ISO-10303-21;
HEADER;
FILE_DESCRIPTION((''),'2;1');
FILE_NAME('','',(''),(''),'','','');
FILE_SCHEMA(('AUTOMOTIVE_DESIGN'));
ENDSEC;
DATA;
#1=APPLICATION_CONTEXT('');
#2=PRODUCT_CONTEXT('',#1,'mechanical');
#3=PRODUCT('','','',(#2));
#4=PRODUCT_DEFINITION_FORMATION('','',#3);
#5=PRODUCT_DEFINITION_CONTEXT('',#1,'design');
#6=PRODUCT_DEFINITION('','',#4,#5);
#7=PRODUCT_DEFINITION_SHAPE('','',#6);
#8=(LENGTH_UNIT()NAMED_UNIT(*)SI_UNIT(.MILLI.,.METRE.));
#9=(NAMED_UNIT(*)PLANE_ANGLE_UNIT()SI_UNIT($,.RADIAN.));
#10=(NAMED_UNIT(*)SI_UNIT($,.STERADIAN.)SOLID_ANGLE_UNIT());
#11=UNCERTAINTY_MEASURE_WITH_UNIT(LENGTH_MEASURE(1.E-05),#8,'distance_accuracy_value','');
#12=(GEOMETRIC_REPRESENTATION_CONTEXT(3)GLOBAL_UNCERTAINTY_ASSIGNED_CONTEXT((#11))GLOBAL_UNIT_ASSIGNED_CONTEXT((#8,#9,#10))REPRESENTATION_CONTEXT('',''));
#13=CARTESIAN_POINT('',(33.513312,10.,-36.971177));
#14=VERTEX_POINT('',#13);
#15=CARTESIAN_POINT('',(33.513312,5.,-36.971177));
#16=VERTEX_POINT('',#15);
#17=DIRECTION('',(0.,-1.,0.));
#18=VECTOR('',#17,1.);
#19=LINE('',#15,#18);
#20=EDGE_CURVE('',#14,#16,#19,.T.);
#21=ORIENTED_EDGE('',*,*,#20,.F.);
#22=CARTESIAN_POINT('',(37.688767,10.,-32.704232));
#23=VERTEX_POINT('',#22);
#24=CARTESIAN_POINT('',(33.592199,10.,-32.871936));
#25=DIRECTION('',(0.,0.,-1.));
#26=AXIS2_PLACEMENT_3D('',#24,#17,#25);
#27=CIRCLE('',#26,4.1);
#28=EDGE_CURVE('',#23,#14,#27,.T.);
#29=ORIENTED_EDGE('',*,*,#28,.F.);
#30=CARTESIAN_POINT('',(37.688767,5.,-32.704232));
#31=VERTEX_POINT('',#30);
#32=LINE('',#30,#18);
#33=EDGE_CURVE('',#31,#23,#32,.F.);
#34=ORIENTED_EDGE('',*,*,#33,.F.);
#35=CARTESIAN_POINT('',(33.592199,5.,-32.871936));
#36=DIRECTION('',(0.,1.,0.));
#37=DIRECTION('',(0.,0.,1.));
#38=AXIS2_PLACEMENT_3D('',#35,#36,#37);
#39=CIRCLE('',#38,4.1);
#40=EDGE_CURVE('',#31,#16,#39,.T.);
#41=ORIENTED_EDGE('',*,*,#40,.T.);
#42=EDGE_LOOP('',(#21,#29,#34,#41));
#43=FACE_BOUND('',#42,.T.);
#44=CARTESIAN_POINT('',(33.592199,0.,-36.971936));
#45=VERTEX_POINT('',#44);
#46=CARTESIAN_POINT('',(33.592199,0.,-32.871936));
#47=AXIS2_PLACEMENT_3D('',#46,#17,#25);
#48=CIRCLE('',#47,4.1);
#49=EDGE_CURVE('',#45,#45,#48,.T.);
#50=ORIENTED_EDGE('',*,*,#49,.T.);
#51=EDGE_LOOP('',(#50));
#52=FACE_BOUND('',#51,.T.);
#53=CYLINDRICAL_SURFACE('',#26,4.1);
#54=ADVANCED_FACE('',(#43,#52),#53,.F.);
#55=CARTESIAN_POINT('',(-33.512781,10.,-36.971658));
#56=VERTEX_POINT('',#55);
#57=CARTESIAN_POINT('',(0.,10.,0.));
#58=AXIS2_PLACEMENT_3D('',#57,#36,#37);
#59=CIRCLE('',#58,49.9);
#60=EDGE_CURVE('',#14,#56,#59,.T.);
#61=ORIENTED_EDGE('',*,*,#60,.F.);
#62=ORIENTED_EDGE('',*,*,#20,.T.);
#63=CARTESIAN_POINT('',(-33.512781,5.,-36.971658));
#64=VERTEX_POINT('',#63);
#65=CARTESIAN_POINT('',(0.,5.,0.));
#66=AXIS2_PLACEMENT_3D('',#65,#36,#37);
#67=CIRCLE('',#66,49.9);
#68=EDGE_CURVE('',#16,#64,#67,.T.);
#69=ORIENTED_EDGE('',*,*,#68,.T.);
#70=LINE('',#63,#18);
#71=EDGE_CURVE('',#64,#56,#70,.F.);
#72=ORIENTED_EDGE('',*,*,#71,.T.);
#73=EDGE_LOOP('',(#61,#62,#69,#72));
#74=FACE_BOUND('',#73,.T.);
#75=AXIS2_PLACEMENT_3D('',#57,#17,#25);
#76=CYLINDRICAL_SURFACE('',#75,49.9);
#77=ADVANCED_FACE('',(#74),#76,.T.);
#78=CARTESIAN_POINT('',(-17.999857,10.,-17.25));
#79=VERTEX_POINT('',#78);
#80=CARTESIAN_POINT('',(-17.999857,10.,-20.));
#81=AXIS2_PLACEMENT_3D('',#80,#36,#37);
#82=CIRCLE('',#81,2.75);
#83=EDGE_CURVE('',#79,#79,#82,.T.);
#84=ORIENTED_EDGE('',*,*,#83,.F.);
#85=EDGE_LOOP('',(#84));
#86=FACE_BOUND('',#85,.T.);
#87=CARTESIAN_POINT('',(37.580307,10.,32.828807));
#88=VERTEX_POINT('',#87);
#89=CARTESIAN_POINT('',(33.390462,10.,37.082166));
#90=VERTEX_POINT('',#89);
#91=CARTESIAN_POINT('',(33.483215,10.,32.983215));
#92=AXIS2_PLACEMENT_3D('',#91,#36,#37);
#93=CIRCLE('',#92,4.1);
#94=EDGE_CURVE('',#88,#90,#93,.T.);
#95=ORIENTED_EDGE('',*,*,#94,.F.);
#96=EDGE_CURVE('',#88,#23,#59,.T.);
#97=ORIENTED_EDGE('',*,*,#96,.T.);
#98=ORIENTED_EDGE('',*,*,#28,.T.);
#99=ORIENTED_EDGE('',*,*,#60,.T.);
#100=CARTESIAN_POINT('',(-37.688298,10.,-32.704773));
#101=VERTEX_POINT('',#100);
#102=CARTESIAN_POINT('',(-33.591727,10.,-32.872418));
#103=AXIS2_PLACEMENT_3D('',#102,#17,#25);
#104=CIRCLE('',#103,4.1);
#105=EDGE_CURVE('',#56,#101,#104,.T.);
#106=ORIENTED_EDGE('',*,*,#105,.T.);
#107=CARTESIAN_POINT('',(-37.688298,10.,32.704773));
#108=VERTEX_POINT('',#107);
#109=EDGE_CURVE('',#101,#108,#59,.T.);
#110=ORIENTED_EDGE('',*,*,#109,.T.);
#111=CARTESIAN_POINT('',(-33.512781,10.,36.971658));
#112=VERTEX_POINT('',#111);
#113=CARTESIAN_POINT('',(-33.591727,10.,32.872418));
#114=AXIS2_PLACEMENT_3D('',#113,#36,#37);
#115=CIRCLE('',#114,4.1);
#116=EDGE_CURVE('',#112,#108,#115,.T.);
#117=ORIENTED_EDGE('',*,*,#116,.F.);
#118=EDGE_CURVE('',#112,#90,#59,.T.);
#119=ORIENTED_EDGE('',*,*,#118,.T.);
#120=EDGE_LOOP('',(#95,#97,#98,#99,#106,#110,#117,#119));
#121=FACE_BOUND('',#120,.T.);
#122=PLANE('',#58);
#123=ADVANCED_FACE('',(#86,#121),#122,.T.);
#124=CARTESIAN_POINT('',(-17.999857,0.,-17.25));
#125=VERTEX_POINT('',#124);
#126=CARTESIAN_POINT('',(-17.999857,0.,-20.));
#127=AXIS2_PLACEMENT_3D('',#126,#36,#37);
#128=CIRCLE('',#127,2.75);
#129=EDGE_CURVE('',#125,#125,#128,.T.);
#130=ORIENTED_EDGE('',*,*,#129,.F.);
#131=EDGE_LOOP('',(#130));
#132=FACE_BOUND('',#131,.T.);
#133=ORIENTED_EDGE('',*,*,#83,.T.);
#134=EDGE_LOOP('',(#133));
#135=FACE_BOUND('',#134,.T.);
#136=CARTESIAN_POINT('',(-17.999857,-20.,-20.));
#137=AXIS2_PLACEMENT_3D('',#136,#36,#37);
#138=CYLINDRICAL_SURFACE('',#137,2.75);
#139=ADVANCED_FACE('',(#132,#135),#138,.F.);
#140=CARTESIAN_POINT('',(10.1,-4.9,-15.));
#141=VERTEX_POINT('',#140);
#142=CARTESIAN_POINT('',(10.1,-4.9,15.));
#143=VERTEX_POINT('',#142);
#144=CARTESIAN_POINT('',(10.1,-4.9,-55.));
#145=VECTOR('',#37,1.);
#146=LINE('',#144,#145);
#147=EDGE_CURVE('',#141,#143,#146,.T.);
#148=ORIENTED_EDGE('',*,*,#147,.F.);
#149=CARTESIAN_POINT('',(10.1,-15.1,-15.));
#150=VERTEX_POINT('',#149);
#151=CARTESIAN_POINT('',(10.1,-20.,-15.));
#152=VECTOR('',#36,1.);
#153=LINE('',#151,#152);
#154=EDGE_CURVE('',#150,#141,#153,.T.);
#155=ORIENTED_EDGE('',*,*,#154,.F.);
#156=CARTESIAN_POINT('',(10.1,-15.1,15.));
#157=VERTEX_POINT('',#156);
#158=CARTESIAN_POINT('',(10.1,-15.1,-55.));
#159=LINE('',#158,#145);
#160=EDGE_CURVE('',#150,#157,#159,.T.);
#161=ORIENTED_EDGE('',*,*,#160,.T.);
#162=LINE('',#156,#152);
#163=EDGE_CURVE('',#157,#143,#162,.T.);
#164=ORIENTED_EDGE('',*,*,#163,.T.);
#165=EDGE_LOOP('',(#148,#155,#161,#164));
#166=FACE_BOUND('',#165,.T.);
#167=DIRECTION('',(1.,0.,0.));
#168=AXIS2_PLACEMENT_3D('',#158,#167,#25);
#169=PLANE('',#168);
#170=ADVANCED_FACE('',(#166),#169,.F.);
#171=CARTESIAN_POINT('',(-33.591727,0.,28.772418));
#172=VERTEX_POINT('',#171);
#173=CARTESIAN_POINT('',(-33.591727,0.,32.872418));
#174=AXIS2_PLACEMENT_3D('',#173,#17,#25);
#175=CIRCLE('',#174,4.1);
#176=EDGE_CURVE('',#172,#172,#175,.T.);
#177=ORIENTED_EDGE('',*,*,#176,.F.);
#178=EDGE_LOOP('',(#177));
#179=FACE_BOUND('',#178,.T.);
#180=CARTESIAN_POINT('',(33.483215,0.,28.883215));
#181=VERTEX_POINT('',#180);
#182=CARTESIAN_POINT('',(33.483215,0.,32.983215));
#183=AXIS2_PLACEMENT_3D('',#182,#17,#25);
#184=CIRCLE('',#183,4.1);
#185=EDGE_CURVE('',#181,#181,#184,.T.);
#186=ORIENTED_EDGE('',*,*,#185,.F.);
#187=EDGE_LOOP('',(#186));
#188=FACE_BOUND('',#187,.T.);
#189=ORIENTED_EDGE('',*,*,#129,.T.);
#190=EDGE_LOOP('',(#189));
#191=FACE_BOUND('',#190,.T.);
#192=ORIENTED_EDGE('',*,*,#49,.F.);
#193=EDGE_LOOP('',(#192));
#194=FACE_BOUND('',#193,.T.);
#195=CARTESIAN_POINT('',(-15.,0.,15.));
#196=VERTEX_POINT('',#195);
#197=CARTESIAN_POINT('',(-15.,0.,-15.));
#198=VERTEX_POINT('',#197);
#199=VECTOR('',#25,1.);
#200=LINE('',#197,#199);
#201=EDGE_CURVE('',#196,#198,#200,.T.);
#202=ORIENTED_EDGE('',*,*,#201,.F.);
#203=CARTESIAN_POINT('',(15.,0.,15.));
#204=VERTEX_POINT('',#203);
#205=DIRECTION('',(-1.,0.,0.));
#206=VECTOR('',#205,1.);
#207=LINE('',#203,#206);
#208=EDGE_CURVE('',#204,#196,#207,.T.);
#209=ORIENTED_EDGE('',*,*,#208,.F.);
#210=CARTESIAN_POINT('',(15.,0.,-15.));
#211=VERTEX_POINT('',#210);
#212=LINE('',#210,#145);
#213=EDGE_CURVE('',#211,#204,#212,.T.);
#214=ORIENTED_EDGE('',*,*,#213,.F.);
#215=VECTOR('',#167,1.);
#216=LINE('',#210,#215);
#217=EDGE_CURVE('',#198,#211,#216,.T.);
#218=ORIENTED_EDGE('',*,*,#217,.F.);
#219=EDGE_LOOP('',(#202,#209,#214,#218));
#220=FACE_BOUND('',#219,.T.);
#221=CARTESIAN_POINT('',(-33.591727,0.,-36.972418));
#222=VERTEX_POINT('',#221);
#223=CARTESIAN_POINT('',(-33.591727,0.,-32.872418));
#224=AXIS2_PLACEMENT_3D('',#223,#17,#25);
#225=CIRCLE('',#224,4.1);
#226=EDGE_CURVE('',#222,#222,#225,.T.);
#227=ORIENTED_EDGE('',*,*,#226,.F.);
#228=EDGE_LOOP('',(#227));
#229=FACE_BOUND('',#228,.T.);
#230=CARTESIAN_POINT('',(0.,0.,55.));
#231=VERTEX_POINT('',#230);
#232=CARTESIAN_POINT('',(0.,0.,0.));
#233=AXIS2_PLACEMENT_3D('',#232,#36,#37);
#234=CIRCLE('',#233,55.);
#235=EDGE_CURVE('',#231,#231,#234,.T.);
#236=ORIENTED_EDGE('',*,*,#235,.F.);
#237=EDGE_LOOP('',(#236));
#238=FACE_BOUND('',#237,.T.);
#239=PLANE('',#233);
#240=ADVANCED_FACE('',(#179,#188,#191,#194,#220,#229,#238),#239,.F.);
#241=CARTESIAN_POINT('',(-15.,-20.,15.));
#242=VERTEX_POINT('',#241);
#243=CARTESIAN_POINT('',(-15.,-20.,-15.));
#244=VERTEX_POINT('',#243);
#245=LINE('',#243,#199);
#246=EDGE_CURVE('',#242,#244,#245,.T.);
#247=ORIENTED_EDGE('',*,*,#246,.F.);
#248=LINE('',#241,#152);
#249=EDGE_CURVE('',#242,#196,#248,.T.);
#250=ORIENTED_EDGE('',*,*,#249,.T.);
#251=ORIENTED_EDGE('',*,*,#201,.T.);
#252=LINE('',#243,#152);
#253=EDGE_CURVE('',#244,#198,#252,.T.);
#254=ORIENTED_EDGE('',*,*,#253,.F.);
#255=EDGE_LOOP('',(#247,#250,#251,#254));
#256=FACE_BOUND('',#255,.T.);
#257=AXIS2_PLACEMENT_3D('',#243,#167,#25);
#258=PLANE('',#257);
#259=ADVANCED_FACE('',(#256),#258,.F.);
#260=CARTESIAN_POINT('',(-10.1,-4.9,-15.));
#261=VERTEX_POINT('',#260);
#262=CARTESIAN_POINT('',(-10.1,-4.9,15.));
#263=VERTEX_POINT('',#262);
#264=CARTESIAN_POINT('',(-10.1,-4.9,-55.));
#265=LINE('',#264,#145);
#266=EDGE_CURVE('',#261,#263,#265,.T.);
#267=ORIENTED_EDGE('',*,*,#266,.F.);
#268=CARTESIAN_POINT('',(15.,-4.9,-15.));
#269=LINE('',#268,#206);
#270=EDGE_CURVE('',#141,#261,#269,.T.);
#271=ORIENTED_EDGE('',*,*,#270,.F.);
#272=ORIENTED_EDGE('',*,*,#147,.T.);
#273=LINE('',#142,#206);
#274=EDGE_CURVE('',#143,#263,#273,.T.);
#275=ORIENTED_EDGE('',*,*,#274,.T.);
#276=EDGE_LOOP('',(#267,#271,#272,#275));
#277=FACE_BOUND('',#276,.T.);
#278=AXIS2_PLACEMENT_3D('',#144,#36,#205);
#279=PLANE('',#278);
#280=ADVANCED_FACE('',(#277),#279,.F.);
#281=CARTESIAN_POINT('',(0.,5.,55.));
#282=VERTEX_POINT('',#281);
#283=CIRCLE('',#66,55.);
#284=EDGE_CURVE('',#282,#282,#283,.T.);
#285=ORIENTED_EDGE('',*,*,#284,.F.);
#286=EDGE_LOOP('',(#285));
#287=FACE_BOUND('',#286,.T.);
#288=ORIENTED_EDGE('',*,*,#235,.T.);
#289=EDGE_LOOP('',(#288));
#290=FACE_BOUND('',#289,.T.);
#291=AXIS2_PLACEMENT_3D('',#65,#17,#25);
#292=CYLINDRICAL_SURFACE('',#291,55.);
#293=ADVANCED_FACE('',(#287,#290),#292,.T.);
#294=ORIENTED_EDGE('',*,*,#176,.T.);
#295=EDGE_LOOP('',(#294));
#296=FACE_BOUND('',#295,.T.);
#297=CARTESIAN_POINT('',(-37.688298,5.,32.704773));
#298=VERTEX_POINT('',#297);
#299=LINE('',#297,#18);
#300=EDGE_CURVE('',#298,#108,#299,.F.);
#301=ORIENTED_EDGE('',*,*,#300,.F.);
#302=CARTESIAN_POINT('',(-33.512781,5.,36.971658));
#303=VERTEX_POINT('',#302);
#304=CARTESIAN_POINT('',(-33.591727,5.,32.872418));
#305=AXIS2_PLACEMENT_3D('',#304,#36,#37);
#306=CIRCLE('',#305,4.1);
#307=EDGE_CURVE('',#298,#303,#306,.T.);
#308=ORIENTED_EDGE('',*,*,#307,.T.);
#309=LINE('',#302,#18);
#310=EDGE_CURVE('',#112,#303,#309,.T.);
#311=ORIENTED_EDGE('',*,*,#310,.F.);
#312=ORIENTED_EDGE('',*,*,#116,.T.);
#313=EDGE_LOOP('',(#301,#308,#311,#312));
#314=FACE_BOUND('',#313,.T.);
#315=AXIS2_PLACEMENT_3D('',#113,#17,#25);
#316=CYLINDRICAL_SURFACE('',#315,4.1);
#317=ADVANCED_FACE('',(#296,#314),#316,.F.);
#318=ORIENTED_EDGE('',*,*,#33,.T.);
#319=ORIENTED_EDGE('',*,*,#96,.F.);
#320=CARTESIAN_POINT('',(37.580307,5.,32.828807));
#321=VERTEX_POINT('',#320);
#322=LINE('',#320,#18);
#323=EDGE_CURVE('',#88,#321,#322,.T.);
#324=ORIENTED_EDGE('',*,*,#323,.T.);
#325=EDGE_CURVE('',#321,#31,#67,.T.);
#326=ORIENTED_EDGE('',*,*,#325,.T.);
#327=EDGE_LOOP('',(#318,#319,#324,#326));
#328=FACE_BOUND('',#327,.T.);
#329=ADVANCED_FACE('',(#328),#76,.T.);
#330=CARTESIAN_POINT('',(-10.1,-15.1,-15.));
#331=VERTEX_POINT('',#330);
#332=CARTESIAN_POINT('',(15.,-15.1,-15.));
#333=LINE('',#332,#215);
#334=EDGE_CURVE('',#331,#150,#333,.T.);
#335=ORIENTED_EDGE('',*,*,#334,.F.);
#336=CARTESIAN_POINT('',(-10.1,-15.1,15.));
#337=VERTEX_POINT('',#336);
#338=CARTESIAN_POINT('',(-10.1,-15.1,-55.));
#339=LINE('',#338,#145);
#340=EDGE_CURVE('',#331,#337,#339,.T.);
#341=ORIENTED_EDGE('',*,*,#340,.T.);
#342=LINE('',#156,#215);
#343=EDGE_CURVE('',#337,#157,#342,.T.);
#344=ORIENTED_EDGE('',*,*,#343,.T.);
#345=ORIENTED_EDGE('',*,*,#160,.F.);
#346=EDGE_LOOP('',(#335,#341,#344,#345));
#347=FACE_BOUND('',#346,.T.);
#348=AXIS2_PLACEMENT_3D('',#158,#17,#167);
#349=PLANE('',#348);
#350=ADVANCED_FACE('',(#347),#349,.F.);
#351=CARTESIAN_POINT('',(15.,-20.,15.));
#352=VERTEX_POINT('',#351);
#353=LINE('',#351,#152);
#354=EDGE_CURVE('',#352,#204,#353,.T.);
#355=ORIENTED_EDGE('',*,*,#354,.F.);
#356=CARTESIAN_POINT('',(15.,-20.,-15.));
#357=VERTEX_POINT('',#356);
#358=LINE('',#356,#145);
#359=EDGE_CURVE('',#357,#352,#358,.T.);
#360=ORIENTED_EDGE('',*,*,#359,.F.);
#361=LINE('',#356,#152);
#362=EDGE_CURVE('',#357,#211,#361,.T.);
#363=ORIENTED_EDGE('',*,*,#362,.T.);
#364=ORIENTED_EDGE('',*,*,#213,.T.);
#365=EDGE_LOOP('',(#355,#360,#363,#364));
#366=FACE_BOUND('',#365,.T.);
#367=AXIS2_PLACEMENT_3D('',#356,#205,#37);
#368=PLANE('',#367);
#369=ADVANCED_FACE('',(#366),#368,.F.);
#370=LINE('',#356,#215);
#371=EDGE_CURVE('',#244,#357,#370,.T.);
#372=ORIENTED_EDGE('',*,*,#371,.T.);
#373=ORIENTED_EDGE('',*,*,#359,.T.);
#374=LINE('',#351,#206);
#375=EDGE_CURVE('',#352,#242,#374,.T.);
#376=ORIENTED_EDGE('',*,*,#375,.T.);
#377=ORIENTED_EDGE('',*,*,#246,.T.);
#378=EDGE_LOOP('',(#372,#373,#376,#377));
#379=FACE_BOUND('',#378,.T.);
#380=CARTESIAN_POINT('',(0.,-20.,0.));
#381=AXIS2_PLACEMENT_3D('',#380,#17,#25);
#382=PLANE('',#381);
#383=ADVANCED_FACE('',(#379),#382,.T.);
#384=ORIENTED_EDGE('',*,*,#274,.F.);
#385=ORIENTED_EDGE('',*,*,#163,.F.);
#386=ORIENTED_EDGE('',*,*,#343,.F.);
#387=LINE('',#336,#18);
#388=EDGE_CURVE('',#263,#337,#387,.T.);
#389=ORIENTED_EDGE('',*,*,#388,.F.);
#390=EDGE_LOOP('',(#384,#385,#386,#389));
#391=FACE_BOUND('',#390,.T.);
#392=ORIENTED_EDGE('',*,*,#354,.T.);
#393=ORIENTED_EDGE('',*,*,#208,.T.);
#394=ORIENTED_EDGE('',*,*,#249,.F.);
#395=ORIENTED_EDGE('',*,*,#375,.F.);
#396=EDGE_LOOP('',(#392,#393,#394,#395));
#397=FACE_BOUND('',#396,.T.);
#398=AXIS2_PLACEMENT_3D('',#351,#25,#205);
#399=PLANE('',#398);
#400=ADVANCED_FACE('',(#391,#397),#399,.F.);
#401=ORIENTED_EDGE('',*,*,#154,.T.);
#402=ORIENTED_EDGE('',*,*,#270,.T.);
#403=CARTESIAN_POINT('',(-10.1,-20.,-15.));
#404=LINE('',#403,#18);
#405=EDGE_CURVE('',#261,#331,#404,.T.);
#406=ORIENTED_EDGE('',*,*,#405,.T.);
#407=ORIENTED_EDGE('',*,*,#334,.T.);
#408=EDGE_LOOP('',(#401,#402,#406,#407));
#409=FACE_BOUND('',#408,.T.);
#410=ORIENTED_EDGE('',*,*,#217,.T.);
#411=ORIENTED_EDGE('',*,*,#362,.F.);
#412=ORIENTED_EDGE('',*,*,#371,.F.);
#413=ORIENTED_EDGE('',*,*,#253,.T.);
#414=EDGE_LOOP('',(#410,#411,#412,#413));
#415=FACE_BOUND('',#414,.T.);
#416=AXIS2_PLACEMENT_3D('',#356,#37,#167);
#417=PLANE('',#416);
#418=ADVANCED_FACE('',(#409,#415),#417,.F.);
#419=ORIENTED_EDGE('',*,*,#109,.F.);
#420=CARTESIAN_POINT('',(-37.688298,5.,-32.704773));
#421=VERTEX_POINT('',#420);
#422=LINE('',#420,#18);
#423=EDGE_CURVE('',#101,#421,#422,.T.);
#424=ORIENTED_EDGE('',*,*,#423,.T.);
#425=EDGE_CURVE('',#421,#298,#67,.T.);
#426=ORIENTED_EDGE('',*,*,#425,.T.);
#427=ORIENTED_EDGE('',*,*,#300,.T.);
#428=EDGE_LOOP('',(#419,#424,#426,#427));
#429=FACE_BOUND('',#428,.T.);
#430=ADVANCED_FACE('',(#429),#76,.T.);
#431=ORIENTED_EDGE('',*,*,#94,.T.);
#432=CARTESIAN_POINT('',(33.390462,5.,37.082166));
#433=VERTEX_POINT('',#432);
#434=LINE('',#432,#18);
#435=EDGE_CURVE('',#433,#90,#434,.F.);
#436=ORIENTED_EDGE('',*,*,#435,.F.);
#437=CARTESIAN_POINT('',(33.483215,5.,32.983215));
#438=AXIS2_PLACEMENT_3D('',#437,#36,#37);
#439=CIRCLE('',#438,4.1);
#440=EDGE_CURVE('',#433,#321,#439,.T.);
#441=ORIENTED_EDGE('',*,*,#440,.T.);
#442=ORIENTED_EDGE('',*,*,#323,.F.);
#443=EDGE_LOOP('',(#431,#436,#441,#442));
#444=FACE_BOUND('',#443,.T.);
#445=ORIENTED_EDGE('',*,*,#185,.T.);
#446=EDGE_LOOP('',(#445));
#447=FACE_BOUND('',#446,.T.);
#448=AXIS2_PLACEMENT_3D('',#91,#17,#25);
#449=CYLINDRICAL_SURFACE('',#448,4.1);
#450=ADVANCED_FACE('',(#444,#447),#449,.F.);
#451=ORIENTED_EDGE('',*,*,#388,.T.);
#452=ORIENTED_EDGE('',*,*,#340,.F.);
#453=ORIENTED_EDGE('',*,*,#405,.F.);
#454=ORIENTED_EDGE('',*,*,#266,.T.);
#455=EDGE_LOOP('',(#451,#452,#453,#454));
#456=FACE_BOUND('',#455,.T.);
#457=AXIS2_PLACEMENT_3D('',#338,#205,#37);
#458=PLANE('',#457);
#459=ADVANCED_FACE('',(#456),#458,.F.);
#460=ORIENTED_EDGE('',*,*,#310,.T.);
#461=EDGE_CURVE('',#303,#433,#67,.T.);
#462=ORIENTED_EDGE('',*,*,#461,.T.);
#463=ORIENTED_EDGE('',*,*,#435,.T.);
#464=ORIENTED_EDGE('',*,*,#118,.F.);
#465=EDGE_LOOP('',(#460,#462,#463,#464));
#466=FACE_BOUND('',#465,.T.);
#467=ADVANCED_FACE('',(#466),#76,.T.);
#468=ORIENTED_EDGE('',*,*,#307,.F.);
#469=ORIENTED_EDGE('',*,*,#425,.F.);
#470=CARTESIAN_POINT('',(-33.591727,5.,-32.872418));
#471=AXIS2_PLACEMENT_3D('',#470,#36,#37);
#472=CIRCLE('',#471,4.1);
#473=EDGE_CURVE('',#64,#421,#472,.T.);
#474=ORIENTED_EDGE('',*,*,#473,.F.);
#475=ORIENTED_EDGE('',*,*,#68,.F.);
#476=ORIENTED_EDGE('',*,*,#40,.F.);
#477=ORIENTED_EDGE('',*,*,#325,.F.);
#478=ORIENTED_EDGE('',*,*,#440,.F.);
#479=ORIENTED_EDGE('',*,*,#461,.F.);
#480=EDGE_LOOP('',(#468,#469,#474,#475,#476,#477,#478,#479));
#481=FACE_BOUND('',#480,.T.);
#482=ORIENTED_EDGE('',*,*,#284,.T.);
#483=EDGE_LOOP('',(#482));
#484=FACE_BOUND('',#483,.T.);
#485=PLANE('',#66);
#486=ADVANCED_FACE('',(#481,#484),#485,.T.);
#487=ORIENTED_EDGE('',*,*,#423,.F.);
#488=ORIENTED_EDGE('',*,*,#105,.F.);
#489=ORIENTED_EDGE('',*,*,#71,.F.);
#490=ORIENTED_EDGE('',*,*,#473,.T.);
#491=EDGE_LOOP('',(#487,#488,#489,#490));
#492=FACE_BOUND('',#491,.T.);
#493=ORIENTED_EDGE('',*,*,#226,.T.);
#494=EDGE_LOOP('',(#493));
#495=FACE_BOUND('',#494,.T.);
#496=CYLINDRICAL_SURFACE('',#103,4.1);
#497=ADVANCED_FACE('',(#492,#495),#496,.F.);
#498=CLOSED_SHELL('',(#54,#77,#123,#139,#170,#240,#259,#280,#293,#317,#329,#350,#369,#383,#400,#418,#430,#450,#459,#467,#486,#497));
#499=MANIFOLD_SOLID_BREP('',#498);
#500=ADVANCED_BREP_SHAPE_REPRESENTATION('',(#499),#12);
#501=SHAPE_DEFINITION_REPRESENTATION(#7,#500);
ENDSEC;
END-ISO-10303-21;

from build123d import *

# Parameters (mm, degrees)
SKETCH_1_R          = 55
EXTRUDE_1_DEPTH     = 5
SKETCH_2_R          = 49.9
EXTRUDE_2_DEPTH     = 5
SKETCH_3_W          = 30
SKETCH_3_H          = 30
EXTRUDE_3_DEPTH     = 20
SKETCH_4_W          = 20.2
SKETCH_4_H          = 10.2
CUT_EXTRUDE_1_DEPTH = 71
SKETCH_5_R          = 4.1
CUT_EXTRUDE_2_DEPTH = 11
SKETCH_6_R          = 2.75
CUT_EXTRUDE_3_DEPTH = 31


with BuildPart() as part:
    # Эскиз1 → Бобышка-Вытянуть1 (new body)
    with BuildSketch(Plane(origin=(0, 0, 0), x_dir=(1, 0, 0), z_dir=(0, 1, 0))):
        with Locations(Location((0, 0, 0), (0, 0, 270))):  # turned: the seam where the file's is
            Circle(SKETCH_1_R)
    extrude(amount=EXTRUDE_1_DEPTH)

    # Эскиз2 → Бобышка-Вытянуть2 (add)
    with BuildSketch(Plane(origin=(0, 5, 0), x_dir=(1, 0, 0), z_dir=(0, 1, 0))):
        with Locations(Location((0, 0, 0), (0, 0, 270))):  # turned: the seam where the file's is
            Circle(SKETCH_2_R)
    extrude(amount=EXTRUDE_2_DEPTH)

    # Эскиз3 → Бобышка-Вытянуть3 (add)
    with BuildSketch(Plane.XZ):
        Rectangle(SKETCH_3_W, SKETCH_3_H)
    extrude(amount=EXTRUDE_3_DEPTH)

    # Эскиз4 → Вырез-Вытянуть1 (cut, through all)
    with BuildSketch(Plane.XY.offset(15)):
        with Locations((0, -10)):
            Rectangle(SKETCH_4_W, SKETCH_4_H)
    extrude(amount=-CUT_EXTRUDE_1_DEPTH, mode=Mode.SUBTRACT)

    # Эскиз5 → Вырез-Вытянуть2 (cut, through all)
    with BuildSketch(Plane.XZ):
        with Locations(Location((33.592198598, -32.871936263, 0), (0, 0, 270))):  # turned: the seam where the file's is
            Circle(SKETCH_5_R)
        with Locations(Location((-33.591727056, -32.872418125, 0), (0, 0, 270))):  # turned: the seam where the file's is
            Circle(SKETCH_5_R)
        with Locations(Location((-33.591727056, 32.872418125, 0), (0, 0, 270))):  # turned: the seam where the file's is
            Circle(SKETCH_5_R)
        with Locations(Location((33.483215177, 32.983215177, 0), (0, 0, 270))):  # turned: the seam where the file's is
            Circle(SKETCH_5_R)
    extrude(amount=-CUT_EXTRUDE_2_DEPTH, mode=Mode.SUBTRACT)

    # Эскиз6 → Вырез-Вытянуть3 (cut, through all)
    with BuildSketch(Plane(origin=(0, 10, 0), x_dir=(1, 0, 0), z_dir=(0, 1, 0))):
        with Locations(Location((-17.999856554, 19.999999999, 0), (0, 0, 270))):  # turned: the seam where the file's is
            Circle(SKETCH_6_R)
    extrude(amount=-CUT_EXTRUDE_3_DEPTH, mode=Mode.SUBTRACT)


solid = part.part
